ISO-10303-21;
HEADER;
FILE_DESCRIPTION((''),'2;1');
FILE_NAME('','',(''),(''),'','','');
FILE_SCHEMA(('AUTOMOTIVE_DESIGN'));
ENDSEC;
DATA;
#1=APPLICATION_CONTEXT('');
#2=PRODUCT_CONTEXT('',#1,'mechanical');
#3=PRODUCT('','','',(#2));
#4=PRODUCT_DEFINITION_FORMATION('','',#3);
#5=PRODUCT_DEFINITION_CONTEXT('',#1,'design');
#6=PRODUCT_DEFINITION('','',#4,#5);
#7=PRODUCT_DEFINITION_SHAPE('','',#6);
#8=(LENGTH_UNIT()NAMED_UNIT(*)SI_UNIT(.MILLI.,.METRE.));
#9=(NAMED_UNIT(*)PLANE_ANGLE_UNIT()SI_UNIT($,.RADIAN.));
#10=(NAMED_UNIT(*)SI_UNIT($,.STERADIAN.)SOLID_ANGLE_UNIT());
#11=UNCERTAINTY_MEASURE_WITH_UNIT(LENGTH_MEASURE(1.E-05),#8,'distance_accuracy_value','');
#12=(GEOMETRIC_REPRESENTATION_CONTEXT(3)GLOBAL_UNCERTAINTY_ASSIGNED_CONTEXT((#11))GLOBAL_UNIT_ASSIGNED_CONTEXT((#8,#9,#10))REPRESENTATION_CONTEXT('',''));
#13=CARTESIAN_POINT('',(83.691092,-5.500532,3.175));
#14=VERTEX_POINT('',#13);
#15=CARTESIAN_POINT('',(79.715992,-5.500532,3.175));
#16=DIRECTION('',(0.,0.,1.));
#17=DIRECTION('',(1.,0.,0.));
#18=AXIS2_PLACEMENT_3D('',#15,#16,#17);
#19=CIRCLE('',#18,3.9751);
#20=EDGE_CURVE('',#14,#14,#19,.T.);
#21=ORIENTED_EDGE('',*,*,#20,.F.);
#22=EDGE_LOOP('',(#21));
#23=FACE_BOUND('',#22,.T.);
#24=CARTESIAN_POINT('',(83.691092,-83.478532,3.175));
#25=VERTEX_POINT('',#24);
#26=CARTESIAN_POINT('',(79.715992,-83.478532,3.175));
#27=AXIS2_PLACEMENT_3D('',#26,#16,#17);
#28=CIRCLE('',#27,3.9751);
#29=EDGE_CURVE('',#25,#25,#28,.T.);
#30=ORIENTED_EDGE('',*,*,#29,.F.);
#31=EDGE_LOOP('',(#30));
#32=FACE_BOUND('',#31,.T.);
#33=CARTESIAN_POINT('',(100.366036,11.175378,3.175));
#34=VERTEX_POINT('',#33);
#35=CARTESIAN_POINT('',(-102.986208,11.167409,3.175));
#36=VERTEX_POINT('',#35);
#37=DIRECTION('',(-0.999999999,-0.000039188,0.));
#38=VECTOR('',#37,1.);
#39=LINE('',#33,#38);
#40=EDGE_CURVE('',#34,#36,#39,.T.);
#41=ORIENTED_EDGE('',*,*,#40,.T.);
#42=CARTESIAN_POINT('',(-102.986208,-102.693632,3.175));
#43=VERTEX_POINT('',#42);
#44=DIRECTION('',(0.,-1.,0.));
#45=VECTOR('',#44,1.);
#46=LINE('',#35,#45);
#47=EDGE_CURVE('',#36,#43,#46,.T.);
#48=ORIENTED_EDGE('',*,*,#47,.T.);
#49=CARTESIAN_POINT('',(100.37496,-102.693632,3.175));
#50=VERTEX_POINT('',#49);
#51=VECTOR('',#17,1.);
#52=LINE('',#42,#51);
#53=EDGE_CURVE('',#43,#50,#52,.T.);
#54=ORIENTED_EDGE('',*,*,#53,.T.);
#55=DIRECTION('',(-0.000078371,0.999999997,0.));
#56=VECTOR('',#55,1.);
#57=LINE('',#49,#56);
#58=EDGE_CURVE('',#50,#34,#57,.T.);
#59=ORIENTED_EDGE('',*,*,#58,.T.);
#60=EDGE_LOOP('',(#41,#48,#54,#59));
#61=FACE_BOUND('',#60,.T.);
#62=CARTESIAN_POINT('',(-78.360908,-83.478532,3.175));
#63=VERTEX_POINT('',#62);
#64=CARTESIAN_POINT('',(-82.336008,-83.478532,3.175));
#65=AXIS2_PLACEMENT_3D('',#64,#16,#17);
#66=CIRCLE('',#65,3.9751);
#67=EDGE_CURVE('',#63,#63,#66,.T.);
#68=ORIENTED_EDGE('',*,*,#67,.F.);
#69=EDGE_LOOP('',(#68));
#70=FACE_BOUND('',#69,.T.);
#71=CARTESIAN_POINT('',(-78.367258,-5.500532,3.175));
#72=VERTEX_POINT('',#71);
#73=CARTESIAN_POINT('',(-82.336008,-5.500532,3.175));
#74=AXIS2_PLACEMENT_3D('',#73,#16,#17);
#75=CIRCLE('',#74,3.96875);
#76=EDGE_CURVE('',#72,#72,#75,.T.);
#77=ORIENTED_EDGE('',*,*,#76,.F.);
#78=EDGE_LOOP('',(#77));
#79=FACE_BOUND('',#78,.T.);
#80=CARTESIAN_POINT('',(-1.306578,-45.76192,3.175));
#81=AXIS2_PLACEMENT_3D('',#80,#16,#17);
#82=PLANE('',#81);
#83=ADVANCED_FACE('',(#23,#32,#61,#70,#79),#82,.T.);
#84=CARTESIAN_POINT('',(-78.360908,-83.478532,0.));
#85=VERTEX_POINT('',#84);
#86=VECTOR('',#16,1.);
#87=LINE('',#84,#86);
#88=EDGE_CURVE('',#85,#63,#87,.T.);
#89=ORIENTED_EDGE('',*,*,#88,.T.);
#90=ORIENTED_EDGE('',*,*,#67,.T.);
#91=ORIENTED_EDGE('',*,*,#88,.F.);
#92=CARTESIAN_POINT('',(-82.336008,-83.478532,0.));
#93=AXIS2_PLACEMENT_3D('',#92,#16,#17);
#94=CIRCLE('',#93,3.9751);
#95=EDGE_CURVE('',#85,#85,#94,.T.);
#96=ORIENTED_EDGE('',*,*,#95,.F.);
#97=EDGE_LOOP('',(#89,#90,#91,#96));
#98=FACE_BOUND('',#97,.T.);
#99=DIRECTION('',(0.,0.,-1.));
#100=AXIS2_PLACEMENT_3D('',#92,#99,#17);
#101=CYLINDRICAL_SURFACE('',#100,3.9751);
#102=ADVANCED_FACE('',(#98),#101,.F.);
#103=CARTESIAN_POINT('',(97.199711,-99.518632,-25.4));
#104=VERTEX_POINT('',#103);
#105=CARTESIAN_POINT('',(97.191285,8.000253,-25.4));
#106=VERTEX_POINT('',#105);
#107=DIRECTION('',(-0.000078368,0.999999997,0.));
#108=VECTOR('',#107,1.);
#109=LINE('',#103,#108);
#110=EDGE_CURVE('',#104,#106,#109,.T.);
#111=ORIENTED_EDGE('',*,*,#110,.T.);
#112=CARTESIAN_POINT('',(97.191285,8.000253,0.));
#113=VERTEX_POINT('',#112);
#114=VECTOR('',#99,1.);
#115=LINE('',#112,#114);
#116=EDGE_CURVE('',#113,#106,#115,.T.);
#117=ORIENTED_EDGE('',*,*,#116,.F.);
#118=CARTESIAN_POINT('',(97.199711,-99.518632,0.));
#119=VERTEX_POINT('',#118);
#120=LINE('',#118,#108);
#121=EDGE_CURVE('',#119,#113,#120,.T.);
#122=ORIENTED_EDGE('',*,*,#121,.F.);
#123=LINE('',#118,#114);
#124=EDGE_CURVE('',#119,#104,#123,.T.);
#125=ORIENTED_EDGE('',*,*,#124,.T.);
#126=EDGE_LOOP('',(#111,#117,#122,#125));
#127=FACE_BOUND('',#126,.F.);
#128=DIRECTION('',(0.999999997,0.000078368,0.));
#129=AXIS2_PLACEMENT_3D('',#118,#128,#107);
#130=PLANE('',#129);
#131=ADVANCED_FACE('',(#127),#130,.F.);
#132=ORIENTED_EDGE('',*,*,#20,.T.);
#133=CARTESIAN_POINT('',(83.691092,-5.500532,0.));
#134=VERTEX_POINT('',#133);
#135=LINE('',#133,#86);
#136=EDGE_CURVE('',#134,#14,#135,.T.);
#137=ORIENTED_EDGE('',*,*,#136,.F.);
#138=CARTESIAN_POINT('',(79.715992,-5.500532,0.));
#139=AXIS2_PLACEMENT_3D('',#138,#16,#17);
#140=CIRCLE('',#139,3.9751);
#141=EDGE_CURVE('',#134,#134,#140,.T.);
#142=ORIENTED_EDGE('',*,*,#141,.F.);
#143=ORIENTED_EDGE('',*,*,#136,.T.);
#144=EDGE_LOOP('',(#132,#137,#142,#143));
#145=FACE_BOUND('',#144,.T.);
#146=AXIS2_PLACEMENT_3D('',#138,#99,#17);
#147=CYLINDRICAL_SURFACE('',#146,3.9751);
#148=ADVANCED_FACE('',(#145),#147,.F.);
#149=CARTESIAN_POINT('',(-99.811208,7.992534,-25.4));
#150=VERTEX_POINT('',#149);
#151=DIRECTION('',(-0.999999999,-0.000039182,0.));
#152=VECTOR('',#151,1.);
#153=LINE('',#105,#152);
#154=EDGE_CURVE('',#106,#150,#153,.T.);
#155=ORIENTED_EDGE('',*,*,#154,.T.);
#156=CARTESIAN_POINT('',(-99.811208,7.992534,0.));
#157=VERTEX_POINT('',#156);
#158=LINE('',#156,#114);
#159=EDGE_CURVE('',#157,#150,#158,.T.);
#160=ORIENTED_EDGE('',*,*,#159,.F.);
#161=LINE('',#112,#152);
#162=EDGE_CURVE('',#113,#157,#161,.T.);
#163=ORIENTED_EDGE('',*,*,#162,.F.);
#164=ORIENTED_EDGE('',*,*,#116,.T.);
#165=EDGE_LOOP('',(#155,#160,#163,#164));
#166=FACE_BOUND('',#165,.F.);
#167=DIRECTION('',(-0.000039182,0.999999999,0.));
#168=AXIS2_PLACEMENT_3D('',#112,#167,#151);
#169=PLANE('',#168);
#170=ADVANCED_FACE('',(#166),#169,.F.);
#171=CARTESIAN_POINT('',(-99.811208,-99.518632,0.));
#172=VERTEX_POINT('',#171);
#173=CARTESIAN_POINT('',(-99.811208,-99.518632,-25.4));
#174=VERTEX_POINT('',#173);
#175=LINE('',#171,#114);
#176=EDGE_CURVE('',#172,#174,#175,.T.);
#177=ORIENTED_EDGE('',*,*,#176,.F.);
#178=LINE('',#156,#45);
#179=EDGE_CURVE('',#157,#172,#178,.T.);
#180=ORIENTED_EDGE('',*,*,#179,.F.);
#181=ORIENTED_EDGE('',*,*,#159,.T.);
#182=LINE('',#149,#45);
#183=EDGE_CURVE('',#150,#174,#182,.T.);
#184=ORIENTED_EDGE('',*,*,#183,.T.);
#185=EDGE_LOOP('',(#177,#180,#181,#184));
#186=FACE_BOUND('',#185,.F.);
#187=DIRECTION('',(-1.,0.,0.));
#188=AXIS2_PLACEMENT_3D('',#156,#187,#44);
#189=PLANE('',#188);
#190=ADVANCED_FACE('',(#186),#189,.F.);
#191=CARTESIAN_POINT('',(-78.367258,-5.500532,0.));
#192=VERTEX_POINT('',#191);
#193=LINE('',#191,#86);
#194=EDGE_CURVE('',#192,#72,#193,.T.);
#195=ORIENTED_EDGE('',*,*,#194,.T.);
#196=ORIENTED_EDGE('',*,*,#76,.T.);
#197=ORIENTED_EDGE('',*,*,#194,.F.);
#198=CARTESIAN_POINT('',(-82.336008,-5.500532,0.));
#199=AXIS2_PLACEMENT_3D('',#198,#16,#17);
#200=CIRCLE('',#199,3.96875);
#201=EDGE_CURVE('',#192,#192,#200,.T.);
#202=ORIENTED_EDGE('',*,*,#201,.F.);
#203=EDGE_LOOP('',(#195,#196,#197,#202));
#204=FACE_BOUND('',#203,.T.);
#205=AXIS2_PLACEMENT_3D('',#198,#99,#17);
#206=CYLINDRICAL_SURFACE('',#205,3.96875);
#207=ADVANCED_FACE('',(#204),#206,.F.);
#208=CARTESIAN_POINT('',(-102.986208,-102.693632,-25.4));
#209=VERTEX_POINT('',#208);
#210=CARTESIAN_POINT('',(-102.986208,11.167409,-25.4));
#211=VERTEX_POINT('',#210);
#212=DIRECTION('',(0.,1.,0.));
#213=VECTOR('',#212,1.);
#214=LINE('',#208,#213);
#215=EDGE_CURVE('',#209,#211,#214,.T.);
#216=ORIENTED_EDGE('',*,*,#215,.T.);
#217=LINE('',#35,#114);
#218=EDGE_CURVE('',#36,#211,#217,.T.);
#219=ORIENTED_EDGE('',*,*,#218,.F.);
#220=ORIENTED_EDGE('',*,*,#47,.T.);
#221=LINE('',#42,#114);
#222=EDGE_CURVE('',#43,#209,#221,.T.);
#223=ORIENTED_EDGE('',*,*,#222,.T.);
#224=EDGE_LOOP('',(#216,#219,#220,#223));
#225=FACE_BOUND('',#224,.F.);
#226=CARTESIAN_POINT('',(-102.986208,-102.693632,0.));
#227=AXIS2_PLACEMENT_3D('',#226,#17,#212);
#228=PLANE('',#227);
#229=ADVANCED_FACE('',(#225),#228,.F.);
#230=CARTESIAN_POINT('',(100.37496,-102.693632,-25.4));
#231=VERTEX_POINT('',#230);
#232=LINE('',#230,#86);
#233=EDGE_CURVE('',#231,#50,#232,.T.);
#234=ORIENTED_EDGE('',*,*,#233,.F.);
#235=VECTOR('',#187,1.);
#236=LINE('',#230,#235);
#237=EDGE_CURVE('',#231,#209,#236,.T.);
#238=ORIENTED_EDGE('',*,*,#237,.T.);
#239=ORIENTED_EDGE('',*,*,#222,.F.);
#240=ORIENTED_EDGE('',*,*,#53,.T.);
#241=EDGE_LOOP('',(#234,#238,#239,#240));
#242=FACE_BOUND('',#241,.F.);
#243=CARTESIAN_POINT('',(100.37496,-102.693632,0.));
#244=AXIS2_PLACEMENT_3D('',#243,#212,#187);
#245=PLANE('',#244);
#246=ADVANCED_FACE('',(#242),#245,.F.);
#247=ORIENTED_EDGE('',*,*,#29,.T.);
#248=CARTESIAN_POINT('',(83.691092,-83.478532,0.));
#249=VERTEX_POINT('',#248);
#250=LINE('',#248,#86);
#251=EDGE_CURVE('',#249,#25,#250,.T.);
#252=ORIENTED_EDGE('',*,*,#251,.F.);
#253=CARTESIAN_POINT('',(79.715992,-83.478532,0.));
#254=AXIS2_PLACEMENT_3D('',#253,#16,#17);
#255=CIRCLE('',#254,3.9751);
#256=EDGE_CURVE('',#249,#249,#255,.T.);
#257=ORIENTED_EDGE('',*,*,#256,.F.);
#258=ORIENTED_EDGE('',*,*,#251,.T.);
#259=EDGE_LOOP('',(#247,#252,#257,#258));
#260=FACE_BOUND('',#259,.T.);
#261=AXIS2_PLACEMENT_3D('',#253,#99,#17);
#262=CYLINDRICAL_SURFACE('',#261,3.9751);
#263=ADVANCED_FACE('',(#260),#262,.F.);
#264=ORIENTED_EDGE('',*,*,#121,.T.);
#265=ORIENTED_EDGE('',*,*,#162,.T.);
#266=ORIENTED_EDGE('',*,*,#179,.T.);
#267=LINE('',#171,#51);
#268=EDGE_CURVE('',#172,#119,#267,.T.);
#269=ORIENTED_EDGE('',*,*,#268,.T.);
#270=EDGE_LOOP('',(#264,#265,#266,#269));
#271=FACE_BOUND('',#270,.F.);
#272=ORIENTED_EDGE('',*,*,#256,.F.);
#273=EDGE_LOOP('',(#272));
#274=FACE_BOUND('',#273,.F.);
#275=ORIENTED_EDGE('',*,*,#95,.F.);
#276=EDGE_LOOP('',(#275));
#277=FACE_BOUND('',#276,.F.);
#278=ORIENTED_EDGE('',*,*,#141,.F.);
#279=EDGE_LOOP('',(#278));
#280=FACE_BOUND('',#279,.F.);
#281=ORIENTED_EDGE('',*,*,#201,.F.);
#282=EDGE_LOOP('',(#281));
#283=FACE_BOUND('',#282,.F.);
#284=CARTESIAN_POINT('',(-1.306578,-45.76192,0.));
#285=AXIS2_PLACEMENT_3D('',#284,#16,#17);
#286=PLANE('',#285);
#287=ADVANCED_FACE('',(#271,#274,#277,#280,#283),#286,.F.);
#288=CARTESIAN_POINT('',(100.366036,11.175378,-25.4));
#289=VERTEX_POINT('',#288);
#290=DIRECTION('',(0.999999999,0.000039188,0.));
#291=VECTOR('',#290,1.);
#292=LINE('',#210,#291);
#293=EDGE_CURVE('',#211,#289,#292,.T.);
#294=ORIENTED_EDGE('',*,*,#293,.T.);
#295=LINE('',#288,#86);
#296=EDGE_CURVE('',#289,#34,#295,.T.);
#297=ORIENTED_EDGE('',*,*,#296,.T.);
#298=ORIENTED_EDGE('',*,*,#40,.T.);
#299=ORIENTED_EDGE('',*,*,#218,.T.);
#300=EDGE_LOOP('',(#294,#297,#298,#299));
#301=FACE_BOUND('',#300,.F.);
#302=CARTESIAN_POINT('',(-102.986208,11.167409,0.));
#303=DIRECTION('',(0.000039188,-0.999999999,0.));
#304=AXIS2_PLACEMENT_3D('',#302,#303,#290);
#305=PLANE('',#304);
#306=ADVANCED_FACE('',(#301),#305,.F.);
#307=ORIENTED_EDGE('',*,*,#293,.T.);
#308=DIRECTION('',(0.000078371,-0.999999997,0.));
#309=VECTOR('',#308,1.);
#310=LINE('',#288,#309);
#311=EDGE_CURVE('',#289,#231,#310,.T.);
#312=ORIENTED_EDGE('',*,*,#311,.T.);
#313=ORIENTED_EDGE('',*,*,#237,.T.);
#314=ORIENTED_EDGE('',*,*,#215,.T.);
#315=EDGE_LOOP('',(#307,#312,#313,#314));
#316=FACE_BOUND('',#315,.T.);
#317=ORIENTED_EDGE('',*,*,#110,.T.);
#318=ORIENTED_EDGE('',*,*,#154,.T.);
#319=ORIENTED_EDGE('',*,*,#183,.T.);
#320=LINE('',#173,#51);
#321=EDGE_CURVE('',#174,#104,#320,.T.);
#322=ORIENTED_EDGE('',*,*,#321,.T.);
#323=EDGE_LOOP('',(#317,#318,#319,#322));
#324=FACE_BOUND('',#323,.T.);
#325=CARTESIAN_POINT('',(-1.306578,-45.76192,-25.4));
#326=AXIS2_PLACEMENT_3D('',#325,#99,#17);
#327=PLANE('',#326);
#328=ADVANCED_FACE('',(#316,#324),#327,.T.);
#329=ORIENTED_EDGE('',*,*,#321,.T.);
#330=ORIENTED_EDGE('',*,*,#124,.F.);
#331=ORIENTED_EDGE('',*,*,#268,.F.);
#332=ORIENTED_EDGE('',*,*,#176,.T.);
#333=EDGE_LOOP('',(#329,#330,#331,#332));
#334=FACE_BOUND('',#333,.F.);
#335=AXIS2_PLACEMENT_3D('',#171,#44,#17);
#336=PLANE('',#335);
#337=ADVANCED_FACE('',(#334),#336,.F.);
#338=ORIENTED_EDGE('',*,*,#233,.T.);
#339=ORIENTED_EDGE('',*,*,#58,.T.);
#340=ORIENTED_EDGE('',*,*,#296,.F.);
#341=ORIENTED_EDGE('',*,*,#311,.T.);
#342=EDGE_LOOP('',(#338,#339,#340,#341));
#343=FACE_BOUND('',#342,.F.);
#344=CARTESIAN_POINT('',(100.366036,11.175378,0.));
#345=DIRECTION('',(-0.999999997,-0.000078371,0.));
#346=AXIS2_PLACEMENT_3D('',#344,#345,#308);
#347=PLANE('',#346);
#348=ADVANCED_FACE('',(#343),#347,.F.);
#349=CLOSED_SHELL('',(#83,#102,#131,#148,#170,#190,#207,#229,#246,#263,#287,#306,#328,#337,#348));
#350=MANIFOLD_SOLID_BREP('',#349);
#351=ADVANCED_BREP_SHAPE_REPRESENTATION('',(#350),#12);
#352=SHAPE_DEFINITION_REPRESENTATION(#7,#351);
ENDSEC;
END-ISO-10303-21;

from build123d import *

# Parameters (mm, degrees)
F0_R     = 3.9751
F0_R_2   = 3.96875
F1_DEPTH = 3.175
F3_DEPTH = 25.4


with BuildPart() as f1:
    # F0 (on Top) → F1 (new body)
    with BuildSketch(Plane.XY):
        Polygon((-102.986208, 11.167409), (-102.986208, -102.693632), (100.37496, -102.693632), (100.366036, 11.175378), align=None)
        with Locations((-82.336008, -83.478532)):
            Circle(F0_R, mode=Mode.SUBTRACT)
        with Locations((79.715992, -83.478532)):
            Circle(F0_R, mode=Mode.SUBTRACT)
        with Locations((-82.336008, -5.500532)):
            Circle(F0_R_2, mode=Mode.SUBTRACT)
        with Locations((79.715992, -5.500532)):
            Circle(F0_R, mode=Mode.SUBTRACT)
    extrude(amount=F1_DEPTH)

    # F2 (on face) → F3 (join)
    with BuildSketch(Plane(origin=(0, 0, 0), x_dir=(1, 0, 0), z_dir=(0, 0, -1))):
        Polygon((100.37496, 102.693632), (-102.986208, 102.693632), (-102.986208, -11.167409), (100.366036, -11.175378), align=None)
        Polygon((-99.811208, -7.992534), (-99.811208, 99.518632), (97.199711, 99.518632), (97.191285, -8.000253), align=None, mode=Mode.SUBTRACT)
    extrude(amount=F3_DEPTH)


solid = f1.part
